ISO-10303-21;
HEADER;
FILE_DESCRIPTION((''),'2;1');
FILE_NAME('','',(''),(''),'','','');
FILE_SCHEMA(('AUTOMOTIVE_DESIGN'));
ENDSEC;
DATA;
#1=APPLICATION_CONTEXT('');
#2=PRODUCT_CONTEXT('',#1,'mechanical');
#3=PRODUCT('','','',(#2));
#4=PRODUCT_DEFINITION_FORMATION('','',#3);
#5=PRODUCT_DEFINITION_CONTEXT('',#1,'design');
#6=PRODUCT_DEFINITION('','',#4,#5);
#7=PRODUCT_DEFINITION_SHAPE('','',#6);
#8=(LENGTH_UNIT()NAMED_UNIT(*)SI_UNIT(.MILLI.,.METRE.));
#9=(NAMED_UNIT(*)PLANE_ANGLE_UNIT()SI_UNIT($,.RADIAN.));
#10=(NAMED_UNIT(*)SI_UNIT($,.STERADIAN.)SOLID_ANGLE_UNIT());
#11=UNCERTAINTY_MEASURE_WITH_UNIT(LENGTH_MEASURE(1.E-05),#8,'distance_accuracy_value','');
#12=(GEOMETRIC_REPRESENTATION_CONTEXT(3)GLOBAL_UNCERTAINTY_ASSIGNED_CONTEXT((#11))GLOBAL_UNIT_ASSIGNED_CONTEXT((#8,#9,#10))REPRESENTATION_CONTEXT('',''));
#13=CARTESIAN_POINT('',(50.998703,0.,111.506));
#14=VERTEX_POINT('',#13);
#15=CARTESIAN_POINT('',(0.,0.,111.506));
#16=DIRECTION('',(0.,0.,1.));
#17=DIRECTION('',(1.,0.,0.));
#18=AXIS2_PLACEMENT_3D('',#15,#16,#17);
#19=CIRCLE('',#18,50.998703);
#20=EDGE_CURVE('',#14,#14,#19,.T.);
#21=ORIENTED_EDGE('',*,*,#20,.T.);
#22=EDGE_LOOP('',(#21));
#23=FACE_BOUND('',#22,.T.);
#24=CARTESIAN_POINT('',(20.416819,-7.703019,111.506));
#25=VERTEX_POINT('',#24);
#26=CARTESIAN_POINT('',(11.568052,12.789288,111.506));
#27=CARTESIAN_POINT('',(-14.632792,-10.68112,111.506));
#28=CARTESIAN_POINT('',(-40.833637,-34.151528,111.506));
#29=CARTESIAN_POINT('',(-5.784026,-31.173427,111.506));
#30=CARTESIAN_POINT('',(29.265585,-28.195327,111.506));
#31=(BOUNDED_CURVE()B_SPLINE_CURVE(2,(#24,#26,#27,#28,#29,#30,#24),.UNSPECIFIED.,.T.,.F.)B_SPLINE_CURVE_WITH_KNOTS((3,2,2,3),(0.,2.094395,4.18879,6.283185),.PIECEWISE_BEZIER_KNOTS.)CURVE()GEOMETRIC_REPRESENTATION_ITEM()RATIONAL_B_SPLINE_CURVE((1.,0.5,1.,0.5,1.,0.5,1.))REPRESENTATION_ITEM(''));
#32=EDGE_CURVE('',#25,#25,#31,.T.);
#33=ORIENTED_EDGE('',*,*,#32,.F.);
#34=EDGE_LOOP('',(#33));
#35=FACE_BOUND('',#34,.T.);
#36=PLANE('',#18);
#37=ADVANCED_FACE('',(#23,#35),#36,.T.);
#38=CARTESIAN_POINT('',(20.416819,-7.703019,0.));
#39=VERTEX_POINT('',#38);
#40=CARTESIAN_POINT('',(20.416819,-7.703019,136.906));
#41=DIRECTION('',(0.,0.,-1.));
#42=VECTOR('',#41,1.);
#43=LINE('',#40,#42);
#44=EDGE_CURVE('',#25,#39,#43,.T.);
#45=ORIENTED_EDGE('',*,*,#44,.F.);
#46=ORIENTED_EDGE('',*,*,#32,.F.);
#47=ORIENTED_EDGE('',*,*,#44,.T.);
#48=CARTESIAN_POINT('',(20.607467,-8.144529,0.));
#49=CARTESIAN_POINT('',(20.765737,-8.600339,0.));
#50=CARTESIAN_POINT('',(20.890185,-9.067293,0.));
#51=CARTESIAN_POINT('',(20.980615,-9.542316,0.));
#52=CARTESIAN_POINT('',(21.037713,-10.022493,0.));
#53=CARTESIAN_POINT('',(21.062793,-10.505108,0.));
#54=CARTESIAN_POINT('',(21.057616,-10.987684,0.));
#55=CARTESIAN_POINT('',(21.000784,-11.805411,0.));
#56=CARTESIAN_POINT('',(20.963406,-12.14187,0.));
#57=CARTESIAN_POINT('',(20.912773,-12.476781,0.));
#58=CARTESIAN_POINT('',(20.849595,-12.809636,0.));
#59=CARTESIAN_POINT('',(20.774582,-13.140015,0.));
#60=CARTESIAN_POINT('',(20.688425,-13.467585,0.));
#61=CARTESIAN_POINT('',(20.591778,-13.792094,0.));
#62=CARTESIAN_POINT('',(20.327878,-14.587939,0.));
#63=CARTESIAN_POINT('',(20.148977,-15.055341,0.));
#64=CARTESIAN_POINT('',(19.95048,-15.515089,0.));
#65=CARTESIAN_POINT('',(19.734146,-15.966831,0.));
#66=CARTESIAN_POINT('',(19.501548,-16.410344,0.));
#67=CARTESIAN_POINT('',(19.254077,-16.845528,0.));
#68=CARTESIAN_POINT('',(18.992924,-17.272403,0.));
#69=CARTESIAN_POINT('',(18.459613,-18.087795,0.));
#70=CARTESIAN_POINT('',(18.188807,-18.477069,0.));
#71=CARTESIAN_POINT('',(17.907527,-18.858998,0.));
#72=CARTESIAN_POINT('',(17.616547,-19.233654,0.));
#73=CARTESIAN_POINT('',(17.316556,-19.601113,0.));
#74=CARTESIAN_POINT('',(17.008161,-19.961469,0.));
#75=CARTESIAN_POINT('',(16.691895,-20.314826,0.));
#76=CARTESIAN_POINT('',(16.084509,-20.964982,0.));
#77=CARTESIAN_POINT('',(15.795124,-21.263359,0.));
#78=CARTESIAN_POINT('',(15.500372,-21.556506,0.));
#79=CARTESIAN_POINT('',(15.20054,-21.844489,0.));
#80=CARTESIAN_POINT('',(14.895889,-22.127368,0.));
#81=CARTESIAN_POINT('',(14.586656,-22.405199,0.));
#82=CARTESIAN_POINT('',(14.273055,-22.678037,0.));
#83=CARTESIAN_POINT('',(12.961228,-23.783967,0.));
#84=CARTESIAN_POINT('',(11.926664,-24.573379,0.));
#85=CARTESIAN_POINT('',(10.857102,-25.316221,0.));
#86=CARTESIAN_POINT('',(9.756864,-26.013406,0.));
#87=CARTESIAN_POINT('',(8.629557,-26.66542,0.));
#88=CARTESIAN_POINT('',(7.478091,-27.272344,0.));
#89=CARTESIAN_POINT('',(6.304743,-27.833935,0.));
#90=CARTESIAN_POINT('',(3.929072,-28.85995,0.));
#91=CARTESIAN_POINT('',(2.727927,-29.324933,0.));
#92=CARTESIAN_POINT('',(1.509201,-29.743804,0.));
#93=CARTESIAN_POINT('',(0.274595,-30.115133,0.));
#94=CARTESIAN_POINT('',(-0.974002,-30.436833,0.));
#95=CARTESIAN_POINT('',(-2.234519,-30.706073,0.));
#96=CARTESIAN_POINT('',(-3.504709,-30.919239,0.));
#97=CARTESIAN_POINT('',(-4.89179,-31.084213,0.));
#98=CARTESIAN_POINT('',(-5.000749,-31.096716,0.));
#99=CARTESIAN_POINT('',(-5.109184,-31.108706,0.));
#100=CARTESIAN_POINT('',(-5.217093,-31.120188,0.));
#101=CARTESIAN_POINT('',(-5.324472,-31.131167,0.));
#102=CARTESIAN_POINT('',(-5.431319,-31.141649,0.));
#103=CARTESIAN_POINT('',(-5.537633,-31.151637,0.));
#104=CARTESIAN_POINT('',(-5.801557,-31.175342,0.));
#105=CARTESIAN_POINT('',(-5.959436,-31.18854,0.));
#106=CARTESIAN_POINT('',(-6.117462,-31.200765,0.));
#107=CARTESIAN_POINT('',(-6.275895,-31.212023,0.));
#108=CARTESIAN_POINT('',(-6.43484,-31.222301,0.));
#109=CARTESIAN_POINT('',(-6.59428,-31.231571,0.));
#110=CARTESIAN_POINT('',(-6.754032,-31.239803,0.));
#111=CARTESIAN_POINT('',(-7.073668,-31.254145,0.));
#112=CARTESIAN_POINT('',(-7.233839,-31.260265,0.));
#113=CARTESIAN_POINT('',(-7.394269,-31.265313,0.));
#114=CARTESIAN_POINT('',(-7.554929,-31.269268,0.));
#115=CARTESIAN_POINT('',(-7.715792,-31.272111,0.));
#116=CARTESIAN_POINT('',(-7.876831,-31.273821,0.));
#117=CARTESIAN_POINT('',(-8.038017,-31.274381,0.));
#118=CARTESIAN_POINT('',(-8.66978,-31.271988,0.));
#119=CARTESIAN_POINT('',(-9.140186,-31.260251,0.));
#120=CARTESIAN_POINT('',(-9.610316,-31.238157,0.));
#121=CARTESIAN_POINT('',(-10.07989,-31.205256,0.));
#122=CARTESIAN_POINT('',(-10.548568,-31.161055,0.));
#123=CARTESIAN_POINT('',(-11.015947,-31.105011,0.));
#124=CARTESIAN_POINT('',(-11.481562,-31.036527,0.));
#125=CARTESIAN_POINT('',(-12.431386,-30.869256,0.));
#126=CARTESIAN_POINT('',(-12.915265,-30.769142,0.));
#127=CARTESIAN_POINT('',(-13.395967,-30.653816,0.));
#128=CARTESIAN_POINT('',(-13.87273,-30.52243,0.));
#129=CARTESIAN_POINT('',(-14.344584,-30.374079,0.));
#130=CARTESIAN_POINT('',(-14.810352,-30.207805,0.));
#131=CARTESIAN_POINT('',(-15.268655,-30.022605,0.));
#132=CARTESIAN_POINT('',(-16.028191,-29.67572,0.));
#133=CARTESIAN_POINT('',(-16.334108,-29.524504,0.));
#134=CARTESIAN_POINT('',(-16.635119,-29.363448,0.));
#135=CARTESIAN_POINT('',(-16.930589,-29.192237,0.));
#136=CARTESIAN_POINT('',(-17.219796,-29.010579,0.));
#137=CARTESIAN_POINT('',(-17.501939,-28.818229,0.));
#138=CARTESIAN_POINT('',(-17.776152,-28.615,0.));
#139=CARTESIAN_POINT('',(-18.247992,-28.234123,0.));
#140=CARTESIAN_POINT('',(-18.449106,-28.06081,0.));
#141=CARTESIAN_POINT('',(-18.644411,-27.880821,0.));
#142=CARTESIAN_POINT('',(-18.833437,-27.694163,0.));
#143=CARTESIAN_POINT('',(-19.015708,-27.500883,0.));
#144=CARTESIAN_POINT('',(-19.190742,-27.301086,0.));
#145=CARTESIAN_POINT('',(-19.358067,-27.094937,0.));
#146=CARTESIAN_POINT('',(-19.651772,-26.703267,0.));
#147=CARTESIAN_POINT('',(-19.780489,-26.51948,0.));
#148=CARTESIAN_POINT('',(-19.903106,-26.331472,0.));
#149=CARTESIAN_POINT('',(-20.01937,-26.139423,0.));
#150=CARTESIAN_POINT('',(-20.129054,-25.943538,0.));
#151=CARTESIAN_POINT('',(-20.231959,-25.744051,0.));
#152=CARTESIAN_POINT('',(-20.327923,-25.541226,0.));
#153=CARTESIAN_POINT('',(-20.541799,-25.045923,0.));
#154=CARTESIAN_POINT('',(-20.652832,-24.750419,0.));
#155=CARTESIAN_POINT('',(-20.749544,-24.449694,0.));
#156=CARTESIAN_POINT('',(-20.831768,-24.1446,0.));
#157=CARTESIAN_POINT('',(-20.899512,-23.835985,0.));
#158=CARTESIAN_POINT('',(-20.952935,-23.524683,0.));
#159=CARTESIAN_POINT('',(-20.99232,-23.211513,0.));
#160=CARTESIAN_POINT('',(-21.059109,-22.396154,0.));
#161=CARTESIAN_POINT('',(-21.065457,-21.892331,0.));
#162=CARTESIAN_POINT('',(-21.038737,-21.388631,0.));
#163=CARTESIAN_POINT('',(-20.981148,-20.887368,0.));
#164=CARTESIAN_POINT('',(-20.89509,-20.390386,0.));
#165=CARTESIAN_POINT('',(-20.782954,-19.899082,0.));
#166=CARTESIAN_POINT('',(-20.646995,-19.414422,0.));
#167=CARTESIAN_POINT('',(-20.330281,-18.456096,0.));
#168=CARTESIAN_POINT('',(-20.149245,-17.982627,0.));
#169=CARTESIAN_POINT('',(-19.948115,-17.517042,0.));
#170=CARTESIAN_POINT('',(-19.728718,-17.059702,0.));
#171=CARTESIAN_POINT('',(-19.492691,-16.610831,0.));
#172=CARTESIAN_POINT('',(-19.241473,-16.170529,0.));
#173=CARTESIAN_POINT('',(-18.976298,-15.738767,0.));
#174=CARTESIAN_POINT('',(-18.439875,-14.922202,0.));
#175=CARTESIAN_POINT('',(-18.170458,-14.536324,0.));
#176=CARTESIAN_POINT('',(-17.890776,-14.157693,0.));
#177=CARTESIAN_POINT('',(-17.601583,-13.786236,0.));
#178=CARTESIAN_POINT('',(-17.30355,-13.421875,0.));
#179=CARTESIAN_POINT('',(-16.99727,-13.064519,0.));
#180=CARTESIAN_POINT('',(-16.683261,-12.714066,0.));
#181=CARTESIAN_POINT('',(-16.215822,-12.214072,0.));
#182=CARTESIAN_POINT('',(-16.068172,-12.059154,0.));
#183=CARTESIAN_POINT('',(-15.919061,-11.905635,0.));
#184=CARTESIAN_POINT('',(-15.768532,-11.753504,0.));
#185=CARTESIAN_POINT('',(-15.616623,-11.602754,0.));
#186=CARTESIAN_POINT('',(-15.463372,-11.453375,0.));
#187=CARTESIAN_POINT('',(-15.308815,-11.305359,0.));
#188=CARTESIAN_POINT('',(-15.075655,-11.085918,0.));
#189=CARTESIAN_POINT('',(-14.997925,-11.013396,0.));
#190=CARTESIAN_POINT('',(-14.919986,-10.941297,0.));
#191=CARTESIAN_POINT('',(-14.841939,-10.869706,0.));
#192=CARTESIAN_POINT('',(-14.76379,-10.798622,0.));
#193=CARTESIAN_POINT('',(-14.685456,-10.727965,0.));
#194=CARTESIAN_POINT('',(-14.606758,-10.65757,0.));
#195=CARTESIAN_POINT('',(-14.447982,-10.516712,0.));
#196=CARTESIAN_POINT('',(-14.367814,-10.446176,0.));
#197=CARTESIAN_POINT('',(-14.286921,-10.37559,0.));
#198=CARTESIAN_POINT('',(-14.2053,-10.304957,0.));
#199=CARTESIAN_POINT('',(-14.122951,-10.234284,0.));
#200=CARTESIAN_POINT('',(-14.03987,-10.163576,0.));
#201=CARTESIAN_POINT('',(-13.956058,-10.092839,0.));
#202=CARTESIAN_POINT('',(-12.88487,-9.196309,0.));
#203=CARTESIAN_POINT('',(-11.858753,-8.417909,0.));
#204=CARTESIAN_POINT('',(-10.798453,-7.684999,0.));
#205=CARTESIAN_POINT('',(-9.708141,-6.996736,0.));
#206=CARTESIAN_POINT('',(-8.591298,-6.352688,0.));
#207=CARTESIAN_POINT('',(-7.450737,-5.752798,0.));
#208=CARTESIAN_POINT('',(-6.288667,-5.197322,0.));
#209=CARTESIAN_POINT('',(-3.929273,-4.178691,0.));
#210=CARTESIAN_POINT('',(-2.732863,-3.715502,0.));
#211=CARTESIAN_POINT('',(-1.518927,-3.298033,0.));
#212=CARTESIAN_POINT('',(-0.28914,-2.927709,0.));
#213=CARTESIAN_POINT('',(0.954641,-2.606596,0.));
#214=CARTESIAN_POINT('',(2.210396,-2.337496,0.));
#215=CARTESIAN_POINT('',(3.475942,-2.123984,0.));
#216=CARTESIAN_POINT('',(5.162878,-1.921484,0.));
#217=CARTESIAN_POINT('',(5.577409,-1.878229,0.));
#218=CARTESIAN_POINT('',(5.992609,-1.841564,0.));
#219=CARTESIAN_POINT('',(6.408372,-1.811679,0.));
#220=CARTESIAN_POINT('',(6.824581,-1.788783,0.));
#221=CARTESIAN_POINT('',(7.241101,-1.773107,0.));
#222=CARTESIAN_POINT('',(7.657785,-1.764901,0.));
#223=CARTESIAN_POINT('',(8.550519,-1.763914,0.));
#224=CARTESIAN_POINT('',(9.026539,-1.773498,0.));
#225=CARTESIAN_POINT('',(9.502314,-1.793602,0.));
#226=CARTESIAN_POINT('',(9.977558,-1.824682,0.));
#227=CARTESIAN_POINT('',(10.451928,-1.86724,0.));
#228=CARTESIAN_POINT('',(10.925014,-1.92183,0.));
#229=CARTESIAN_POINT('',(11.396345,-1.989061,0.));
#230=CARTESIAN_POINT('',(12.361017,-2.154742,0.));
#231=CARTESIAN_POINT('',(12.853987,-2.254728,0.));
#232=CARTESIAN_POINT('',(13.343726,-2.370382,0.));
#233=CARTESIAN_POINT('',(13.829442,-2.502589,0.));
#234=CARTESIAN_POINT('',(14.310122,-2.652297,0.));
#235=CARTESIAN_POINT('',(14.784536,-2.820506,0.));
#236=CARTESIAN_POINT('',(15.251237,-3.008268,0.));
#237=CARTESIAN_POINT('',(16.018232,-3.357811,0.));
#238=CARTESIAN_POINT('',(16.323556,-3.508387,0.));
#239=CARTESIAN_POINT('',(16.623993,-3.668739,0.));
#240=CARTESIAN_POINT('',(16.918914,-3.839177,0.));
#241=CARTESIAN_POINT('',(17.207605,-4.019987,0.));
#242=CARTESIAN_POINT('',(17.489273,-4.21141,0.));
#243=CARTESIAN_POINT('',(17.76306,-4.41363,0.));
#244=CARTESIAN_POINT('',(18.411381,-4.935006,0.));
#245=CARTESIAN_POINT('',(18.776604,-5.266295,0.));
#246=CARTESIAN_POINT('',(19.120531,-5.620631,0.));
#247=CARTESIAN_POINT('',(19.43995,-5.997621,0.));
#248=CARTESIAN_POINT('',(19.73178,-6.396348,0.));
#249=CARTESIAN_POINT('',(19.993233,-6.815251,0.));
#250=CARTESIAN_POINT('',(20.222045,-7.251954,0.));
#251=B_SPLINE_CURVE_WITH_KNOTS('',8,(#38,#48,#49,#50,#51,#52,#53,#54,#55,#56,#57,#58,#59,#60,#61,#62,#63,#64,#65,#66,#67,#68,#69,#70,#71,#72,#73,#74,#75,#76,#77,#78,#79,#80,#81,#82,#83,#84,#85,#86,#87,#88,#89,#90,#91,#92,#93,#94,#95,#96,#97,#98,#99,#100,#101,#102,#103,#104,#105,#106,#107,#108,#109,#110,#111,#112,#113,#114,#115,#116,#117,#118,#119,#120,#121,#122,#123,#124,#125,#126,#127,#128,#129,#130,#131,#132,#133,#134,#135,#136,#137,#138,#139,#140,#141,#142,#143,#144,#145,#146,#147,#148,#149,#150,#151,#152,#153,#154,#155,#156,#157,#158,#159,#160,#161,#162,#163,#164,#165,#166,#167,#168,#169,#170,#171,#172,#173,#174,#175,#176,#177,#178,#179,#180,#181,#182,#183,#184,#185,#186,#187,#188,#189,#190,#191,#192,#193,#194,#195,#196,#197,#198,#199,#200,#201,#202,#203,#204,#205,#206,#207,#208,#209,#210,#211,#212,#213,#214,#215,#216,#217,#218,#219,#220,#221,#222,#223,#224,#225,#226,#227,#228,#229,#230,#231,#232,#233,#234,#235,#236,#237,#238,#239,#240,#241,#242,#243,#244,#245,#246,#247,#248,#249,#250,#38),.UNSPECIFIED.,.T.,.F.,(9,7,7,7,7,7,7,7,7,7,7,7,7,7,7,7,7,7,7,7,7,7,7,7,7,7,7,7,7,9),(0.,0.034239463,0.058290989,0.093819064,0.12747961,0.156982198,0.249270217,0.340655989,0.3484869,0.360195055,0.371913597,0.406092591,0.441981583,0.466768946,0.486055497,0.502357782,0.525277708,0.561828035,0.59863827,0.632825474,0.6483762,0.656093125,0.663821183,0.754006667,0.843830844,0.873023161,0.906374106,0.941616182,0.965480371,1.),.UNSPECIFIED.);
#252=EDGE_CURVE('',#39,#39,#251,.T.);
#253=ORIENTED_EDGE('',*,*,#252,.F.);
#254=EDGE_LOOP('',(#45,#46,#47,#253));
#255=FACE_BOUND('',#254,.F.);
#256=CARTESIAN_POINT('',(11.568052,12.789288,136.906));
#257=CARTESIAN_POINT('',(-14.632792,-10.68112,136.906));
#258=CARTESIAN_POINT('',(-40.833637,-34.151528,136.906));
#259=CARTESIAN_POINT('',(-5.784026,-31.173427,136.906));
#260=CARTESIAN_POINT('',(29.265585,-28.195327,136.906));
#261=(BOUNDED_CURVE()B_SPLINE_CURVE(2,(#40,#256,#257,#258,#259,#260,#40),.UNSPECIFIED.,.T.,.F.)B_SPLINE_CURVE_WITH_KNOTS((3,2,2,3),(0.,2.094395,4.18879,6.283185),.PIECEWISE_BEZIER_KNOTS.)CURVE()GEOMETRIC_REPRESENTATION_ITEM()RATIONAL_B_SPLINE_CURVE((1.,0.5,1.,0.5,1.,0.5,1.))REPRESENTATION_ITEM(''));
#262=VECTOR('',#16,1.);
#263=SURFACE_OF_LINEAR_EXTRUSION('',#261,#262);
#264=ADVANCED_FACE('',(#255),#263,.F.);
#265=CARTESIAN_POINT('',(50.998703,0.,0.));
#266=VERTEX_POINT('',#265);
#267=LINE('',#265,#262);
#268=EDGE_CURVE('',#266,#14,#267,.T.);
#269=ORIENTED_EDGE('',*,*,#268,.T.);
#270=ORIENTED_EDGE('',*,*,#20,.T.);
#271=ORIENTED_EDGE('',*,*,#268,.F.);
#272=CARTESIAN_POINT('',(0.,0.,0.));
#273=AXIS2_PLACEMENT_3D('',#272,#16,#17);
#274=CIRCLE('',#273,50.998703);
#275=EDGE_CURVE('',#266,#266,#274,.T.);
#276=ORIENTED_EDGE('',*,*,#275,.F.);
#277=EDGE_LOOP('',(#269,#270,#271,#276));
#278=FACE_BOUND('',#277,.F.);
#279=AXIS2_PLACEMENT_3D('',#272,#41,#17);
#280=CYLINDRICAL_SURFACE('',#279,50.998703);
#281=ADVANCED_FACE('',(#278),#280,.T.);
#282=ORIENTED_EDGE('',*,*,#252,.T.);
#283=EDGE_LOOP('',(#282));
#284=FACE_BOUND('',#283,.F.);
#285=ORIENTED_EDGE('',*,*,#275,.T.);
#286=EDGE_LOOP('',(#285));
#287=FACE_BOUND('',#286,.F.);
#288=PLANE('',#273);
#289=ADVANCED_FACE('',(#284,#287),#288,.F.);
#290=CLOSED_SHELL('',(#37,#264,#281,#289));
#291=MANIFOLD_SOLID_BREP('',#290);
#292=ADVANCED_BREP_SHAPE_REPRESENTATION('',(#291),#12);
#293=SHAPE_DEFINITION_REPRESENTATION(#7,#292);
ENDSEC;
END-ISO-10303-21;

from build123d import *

# Parameters (mm, degrees)
F0_R     = 50.998703
F1_DEPTH = 111.506
F3_DEPTH = 25.4
F4_DEPTH = 219.964


with BuildPart() as f1:
    # F0 (on Top) → F1 (new body)
    with BuildSketch(Plane.XY):
        Circle(F0_R)
    extrude(amount=F1_DEPTH)

    # F2 (on face) → F3 (join)
    with BuildSketch(Plane.XY.offset(111.506)):
        with BuildLine():
            add(Edge.make_bspline(
                [(20.416819, -7.703019), (11.568052, 12.789288), (-14.632792, -10.68112), (-40.833637, -34.151528), (-5.784026, -31.173427), (29.265585, -28.195327), (20.416819, -7.703019)],
                knots=[0, 0, 0, 2.094395, 2.094395, 4.18879, 4.18879, 6.283185, 6.283185, 6.283185], degree=2, weights=[1, 0.5, 1, 0.5, 1, 0.5, 1]))
        make_face()
    extrude(amount=F3_DEPTH)

    # F3_face (on face) → F4 (cut)
    with BuildSketch(Plane(origin=(0.082109, -16.547367, 136.906), x_dir=(1, 0, 0), z_dir=(0, 0, 1))):
        with BuildLine():
            add(Edge.make_bspline(
                [(20.33471, 8.844348), (11.485943, 29.336655), (-14.714901, 5.866247), (-40.915746, -17.604161), (-5.866135, -14.62606), (29.183476, -11.64796), (20.33471, 8.844348)],
                knots=[0, 0, 0, 2.094395, 2.094395, 4.18879, 4.18879, 6.283185, 6.283185, 6.283185], degree=2, weights=[1, 0.5, 1, 0.5, 1, 0.5, 1]))
        make_face()
    extrude(amount=-F4_DEPTH, mode=Mode.SUBTRACT)


solid = f1.part
